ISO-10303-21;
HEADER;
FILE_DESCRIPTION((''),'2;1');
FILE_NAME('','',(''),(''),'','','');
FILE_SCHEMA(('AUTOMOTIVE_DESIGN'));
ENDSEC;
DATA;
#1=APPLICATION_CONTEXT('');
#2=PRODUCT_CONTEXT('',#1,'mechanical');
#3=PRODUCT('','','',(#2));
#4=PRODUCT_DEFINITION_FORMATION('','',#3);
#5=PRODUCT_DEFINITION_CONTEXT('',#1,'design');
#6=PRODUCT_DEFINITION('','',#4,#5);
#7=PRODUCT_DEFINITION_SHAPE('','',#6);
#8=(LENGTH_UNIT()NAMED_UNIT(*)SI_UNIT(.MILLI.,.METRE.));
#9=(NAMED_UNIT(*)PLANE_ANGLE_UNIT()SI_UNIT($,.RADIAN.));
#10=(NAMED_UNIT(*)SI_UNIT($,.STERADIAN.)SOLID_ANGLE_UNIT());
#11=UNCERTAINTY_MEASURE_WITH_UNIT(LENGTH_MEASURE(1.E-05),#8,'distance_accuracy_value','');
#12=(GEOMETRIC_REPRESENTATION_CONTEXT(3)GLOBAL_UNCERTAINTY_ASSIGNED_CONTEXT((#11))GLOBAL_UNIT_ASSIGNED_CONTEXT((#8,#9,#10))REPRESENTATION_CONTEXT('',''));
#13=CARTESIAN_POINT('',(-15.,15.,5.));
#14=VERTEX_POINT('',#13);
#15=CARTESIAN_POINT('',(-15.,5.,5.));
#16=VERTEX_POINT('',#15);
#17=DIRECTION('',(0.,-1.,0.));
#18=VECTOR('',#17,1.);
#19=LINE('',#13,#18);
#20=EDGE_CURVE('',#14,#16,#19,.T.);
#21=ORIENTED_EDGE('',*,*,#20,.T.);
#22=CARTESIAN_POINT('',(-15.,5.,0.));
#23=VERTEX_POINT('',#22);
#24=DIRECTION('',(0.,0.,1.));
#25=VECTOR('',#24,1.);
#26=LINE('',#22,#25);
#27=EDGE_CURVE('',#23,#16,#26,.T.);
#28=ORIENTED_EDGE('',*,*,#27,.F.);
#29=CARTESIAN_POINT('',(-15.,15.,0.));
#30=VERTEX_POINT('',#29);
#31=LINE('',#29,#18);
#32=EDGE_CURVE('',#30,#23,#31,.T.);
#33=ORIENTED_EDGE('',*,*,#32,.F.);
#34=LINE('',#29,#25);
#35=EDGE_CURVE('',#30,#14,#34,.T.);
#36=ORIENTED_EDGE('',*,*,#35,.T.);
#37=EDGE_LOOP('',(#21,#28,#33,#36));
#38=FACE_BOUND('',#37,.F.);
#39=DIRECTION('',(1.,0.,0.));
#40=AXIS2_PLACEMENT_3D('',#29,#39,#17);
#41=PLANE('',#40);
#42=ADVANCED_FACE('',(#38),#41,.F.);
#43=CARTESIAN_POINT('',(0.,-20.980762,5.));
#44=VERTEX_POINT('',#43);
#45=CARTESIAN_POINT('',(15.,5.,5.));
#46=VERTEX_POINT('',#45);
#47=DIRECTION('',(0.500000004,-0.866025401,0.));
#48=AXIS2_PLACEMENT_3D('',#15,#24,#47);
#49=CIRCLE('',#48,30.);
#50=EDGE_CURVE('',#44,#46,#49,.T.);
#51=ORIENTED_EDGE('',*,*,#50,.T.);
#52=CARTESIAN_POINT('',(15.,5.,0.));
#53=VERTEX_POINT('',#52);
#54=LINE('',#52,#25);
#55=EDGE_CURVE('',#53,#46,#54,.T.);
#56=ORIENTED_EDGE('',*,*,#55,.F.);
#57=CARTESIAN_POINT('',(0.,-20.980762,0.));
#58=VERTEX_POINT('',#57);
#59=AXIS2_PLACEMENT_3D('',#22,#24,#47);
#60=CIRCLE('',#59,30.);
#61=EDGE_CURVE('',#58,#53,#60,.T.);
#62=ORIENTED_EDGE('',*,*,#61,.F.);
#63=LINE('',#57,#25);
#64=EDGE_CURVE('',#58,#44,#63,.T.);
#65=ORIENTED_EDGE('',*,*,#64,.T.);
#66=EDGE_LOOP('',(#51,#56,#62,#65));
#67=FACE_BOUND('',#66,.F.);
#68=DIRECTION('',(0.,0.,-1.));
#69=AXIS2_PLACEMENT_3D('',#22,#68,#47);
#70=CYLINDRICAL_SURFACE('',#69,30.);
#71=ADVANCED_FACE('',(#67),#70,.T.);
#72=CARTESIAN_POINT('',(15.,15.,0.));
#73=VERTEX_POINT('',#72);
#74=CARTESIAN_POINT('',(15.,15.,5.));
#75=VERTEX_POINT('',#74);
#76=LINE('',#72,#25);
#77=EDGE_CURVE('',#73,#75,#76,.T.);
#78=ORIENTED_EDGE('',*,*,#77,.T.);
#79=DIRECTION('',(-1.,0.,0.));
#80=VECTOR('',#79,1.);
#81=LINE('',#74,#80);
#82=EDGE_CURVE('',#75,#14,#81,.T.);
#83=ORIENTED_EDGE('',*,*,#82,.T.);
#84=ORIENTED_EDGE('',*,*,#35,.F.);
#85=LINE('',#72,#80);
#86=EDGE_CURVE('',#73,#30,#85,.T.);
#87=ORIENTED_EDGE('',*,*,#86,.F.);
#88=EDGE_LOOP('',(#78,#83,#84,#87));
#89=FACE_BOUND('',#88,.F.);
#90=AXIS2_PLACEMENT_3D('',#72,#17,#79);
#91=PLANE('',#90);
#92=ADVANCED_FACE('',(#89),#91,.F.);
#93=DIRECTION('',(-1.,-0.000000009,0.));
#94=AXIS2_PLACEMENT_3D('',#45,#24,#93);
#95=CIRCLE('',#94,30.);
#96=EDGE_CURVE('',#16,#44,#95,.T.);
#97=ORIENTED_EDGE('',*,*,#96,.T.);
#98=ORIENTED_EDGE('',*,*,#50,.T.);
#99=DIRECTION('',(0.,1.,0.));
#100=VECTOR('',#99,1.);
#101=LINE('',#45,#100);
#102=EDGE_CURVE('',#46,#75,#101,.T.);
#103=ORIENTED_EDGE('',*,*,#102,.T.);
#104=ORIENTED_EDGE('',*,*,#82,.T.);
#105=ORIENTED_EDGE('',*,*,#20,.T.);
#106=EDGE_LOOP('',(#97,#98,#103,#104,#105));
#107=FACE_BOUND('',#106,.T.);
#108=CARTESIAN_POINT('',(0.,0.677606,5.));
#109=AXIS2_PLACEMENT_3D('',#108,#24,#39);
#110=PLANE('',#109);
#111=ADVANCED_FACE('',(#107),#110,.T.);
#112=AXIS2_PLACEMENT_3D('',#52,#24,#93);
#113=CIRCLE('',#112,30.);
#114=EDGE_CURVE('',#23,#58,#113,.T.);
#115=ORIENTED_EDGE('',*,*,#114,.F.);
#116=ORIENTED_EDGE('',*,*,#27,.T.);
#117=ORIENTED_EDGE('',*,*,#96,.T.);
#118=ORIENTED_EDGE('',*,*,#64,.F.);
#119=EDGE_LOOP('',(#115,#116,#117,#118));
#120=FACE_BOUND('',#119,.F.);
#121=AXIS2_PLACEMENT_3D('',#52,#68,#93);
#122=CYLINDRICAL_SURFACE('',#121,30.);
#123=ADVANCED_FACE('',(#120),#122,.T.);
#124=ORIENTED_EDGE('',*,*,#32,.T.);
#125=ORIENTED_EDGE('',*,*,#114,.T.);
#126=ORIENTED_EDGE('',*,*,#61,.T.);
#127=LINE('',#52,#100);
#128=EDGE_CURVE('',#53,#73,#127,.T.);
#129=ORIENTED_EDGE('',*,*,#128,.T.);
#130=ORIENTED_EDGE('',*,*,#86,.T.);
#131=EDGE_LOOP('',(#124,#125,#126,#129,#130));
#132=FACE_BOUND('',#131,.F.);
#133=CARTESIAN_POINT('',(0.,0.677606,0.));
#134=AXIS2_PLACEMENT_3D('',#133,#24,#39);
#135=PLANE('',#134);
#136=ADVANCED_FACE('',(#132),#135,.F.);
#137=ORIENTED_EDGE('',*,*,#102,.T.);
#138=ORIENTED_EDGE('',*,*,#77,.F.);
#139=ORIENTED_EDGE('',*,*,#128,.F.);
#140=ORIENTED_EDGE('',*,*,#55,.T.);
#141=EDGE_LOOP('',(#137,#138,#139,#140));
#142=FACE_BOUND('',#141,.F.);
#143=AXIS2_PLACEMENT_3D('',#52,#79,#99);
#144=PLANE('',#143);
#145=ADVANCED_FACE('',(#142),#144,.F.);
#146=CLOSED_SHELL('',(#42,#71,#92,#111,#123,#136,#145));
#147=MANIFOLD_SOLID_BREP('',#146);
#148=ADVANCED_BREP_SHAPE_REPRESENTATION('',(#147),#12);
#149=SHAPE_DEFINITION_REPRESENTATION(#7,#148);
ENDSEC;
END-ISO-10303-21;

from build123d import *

# Parameters (mm, degrees)
F1_DEPTH = 5


with BuildPart() as f1:
    # F0 (on Top) → F1 (new body)
    with BuildSketch(Plane.XY):
        with BuildLine():
            Line((15, 15), (0, 15))
            Line((0, 15), (-15, 15))
            Line((-15, 15), (-15, 5))
            ThreePointArc((-15, 5), (-10.980762, -10), (0, -20.980762))
            ThreePointArc((0, -20.980762), (10.980762, -10), (15, 5))
            Line((15, 5), (15, 15))
        make_face()
    extrude(amount=F1_DEPTH)


solid = f1.part
